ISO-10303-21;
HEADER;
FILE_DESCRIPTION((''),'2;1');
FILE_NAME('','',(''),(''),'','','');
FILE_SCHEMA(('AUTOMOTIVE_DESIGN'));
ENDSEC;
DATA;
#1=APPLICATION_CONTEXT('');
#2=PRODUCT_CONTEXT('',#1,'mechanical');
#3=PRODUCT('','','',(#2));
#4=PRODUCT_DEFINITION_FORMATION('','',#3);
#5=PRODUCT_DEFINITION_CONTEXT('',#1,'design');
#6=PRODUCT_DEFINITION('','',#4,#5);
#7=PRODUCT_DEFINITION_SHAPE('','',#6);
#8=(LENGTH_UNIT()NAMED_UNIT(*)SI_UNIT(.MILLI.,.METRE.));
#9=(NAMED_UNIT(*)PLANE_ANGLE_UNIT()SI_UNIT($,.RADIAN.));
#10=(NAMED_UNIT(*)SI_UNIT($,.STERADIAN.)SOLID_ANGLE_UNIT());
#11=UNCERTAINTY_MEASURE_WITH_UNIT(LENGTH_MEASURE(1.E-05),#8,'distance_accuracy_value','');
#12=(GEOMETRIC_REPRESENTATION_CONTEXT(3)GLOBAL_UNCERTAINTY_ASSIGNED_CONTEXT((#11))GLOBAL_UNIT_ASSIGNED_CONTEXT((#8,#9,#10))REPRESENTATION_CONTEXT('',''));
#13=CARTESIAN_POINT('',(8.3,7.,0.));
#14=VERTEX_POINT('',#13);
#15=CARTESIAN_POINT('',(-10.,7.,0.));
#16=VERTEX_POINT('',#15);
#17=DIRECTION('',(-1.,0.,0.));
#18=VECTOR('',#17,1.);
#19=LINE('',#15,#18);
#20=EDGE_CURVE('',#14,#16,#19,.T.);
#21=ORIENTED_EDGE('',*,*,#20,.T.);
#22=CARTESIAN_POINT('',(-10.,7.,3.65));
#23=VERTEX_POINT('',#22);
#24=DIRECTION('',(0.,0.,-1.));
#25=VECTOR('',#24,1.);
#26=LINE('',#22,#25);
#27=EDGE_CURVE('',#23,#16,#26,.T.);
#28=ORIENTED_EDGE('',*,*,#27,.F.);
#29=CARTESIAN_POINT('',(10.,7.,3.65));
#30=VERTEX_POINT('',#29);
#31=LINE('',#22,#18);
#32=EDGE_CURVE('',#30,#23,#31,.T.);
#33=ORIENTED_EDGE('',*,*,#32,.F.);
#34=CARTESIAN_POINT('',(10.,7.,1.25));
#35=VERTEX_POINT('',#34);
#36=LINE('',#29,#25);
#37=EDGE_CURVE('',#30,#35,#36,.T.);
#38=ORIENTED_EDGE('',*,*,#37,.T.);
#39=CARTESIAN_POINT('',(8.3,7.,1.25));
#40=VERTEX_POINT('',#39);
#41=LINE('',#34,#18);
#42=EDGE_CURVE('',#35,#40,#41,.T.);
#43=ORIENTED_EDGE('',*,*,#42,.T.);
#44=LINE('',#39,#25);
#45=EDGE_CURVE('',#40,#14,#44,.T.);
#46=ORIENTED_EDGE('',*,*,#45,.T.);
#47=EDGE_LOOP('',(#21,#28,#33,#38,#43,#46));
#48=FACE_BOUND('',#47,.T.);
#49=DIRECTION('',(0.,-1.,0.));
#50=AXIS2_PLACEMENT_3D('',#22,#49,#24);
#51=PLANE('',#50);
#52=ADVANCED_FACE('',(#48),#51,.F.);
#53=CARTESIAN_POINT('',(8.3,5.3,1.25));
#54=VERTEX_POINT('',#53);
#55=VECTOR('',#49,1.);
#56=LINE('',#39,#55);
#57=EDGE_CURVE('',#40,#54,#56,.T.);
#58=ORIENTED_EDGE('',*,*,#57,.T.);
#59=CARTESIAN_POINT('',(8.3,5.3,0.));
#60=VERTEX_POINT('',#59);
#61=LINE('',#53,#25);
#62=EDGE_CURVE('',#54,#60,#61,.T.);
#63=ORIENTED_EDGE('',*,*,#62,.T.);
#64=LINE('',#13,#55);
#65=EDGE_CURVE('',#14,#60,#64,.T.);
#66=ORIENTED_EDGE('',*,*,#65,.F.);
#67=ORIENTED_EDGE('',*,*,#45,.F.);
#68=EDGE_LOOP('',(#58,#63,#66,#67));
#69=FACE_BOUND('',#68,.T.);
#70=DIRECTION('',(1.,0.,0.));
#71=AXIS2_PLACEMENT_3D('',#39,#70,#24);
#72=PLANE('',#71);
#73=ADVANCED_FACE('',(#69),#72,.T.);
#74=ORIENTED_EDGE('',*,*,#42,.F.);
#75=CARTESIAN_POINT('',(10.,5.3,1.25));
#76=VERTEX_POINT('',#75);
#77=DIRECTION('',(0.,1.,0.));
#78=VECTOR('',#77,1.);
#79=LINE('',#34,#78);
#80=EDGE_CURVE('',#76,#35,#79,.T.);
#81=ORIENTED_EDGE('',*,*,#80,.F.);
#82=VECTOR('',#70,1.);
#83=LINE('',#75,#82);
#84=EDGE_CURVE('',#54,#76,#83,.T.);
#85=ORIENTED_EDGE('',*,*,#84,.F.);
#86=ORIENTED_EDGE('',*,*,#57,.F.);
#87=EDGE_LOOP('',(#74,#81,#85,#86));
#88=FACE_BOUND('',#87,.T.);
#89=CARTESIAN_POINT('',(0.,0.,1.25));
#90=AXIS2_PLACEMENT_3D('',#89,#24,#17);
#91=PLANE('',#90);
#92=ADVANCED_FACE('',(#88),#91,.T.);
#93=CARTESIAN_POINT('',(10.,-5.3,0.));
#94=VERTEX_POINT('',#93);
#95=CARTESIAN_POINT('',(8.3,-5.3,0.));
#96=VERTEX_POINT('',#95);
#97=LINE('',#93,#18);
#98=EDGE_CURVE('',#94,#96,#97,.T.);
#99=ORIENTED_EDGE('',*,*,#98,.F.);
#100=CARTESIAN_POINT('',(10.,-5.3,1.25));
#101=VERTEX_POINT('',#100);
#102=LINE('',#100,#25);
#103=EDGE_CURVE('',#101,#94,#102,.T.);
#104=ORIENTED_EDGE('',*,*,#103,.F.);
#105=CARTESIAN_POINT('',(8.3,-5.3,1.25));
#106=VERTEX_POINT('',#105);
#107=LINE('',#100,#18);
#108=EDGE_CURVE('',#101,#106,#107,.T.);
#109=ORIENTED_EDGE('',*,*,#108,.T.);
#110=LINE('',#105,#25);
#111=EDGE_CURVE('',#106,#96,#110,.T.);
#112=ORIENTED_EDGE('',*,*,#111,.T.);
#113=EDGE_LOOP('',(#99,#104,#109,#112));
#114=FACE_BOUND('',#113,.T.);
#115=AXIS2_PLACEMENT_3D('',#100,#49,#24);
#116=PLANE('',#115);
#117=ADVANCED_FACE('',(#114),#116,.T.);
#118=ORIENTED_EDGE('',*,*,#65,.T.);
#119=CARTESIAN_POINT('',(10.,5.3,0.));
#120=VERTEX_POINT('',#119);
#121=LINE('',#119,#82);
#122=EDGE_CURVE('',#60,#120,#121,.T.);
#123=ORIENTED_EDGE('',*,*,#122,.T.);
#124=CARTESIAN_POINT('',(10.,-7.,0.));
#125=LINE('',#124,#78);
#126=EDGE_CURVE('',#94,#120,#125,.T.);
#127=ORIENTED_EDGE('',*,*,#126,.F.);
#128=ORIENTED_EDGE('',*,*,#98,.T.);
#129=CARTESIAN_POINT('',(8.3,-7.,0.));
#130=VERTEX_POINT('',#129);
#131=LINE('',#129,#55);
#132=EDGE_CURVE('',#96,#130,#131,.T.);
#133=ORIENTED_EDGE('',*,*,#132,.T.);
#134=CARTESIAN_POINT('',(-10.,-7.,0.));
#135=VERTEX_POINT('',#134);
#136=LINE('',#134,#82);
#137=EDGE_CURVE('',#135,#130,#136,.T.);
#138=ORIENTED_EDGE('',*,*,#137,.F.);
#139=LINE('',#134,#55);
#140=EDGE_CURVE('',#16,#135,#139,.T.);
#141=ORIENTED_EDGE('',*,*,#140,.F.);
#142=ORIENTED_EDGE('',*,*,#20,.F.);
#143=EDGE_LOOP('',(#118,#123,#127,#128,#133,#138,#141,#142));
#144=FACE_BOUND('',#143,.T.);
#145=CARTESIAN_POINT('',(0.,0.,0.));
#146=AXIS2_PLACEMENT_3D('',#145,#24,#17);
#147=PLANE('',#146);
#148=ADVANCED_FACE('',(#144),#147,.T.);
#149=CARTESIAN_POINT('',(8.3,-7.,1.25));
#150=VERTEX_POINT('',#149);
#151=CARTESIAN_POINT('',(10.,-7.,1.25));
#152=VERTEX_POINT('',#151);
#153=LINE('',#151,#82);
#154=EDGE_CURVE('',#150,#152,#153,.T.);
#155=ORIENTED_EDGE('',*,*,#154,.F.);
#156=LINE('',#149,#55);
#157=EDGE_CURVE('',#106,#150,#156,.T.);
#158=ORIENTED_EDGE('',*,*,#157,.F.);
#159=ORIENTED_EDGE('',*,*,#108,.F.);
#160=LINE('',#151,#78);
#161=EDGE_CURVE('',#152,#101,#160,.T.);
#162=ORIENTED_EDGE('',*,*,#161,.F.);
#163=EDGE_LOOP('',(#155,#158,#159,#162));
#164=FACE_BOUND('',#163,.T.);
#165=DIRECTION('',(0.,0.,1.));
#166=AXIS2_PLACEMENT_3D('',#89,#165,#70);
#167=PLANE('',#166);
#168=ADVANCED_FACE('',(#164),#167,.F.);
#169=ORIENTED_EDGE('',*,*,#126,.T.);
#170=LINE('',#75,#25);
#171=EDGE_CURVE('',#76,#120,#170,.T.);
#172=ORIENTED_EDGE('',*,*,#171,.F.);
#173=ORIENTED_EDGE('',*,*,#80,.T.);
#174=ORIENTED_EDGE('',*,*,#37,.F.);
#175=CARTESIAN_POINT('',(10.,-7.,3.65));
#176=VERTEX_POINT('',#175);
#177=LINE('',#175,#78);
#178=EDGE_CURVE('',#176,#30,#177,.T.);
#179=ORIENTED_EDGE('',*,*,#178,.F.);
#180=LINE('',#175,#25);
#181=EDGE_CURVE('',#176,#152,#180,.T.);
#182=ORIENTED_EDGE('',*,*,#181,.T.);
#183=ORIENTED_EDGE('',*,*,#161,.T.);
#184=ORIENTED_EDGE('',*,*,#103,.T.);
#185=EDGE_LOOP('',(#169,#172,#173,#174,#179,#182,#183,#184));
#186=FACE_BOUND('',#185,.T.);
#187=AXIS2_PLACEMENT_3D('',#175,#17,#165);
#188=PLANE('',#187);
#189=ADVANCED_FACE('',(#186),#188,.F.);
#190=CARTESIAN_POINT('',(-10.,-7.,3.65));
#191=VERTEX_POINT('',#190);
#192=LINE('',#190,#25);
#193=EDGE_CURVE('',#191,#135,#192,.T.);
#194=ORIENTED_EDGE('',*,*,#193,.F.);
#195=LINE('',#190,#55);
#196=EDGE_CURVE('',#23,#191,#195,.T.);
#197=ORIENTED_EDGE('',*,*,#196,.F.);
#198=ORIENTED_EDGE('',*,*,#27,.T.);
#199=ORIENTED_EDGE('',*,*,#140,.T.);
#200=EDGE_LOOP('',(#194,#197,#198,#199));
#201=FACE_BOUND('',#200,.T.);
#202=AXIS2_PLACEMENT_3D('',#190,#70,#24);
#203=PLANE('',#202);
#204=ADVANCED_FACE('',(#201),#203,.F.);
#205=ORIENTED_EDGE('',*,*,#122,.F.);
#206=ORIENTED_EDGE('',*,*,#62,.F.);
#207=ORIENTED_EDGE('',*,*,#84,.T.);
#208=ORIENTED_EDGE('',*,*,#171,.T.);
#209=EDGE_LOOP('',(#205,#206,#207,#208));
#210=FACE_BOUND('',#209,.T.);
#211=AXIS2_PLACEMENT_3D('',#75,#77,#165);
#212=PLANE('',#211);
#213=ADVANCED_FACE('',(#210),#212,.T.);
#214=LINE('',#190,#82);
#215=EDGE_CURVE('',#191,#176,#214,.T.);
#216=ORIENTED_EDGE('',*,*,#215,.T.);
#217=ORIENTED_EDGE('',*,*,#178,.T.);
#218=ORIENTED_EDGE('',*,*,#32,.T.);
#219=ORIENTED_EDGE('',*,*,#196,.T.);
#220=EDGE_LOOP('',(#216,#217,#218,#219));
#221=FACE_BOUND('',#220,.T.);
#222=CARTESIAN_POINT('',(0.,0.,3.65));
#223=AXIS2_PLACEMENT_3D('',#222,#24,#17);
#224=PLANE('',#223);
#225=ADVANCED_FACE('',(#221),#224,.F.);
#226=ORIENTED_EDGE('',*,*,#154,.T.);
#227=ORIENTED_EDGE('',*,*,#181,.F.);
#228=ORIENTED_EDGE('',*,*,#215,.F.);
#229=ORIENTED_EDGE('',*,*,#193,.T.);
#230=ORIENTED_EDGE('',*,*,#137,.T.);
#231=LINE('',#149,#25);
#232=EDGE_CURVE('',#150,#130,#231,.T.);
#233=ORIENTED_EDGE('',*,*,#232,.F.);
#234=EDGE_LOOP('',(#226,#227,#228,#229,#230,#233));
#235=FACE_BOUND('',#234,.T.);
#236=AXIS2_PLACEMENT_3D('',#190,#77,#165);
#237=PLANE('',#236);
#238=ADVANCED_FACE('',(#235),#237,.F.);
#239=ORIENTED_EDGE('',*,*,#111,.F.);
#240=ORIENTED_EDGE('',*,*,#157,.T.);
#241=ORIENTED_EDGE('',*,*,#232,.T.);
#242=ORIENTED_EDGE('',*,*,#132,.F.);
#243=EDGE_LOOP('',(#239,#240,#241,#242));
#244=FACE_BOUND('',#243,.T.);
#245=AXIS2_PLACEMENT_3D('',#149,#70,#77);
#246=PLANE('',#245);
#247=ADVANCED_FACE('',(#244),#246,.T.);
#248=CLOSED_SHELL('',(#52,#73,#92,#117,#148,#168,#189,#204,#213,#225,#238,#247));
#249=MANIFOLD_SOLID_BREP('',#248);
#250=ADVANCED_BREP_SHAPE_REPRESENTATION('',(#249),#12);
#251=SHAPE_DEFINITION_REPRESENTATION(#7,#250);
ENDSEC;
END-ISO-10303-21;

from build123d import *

# Parameters (mm, degrees)
SKIZZE1_W                       = 20
SKIZZE1_H                       = 14
AUFSATZ_LINEAR_AUSTRAGEN1_DEPTH = 3.65
SKIZZE2_W                       = 1.7
SKIZZE2_H                       = 1.7
SCHNITT_LINEAR_AUSTRAGEN1_DEPTH = 1.25


with BuildPart() as part:
    # Skizze1 → Aufsatz-Linear austragen1 (new body)
    with BuildSketch(Plane.XY):
        Rectangle(SKIZZE1_W, SKIZZE1_H)
    extrude(amount=AUFSATZ_LINEAR_AUSTRAGEN1_DEPTH)

    # Skizze2 → Schnitt-Linear austragen1 (cut)
    with BuildSketch(Plane.XY):
        with Locations((9.15, 6.15)):
            Rectangle(SKIZZE2_W, SKIZZE2_H)
        with Locations((9.15, -6.15)):
            Rectangle(SKIZZE2_W, SKIZZE2_H)
    extrude(amount=SCHNITT_LINEAR_AUSTRAGEN1_DEPTH, mode=Mode.SUBTRACT)


solid = part.part
